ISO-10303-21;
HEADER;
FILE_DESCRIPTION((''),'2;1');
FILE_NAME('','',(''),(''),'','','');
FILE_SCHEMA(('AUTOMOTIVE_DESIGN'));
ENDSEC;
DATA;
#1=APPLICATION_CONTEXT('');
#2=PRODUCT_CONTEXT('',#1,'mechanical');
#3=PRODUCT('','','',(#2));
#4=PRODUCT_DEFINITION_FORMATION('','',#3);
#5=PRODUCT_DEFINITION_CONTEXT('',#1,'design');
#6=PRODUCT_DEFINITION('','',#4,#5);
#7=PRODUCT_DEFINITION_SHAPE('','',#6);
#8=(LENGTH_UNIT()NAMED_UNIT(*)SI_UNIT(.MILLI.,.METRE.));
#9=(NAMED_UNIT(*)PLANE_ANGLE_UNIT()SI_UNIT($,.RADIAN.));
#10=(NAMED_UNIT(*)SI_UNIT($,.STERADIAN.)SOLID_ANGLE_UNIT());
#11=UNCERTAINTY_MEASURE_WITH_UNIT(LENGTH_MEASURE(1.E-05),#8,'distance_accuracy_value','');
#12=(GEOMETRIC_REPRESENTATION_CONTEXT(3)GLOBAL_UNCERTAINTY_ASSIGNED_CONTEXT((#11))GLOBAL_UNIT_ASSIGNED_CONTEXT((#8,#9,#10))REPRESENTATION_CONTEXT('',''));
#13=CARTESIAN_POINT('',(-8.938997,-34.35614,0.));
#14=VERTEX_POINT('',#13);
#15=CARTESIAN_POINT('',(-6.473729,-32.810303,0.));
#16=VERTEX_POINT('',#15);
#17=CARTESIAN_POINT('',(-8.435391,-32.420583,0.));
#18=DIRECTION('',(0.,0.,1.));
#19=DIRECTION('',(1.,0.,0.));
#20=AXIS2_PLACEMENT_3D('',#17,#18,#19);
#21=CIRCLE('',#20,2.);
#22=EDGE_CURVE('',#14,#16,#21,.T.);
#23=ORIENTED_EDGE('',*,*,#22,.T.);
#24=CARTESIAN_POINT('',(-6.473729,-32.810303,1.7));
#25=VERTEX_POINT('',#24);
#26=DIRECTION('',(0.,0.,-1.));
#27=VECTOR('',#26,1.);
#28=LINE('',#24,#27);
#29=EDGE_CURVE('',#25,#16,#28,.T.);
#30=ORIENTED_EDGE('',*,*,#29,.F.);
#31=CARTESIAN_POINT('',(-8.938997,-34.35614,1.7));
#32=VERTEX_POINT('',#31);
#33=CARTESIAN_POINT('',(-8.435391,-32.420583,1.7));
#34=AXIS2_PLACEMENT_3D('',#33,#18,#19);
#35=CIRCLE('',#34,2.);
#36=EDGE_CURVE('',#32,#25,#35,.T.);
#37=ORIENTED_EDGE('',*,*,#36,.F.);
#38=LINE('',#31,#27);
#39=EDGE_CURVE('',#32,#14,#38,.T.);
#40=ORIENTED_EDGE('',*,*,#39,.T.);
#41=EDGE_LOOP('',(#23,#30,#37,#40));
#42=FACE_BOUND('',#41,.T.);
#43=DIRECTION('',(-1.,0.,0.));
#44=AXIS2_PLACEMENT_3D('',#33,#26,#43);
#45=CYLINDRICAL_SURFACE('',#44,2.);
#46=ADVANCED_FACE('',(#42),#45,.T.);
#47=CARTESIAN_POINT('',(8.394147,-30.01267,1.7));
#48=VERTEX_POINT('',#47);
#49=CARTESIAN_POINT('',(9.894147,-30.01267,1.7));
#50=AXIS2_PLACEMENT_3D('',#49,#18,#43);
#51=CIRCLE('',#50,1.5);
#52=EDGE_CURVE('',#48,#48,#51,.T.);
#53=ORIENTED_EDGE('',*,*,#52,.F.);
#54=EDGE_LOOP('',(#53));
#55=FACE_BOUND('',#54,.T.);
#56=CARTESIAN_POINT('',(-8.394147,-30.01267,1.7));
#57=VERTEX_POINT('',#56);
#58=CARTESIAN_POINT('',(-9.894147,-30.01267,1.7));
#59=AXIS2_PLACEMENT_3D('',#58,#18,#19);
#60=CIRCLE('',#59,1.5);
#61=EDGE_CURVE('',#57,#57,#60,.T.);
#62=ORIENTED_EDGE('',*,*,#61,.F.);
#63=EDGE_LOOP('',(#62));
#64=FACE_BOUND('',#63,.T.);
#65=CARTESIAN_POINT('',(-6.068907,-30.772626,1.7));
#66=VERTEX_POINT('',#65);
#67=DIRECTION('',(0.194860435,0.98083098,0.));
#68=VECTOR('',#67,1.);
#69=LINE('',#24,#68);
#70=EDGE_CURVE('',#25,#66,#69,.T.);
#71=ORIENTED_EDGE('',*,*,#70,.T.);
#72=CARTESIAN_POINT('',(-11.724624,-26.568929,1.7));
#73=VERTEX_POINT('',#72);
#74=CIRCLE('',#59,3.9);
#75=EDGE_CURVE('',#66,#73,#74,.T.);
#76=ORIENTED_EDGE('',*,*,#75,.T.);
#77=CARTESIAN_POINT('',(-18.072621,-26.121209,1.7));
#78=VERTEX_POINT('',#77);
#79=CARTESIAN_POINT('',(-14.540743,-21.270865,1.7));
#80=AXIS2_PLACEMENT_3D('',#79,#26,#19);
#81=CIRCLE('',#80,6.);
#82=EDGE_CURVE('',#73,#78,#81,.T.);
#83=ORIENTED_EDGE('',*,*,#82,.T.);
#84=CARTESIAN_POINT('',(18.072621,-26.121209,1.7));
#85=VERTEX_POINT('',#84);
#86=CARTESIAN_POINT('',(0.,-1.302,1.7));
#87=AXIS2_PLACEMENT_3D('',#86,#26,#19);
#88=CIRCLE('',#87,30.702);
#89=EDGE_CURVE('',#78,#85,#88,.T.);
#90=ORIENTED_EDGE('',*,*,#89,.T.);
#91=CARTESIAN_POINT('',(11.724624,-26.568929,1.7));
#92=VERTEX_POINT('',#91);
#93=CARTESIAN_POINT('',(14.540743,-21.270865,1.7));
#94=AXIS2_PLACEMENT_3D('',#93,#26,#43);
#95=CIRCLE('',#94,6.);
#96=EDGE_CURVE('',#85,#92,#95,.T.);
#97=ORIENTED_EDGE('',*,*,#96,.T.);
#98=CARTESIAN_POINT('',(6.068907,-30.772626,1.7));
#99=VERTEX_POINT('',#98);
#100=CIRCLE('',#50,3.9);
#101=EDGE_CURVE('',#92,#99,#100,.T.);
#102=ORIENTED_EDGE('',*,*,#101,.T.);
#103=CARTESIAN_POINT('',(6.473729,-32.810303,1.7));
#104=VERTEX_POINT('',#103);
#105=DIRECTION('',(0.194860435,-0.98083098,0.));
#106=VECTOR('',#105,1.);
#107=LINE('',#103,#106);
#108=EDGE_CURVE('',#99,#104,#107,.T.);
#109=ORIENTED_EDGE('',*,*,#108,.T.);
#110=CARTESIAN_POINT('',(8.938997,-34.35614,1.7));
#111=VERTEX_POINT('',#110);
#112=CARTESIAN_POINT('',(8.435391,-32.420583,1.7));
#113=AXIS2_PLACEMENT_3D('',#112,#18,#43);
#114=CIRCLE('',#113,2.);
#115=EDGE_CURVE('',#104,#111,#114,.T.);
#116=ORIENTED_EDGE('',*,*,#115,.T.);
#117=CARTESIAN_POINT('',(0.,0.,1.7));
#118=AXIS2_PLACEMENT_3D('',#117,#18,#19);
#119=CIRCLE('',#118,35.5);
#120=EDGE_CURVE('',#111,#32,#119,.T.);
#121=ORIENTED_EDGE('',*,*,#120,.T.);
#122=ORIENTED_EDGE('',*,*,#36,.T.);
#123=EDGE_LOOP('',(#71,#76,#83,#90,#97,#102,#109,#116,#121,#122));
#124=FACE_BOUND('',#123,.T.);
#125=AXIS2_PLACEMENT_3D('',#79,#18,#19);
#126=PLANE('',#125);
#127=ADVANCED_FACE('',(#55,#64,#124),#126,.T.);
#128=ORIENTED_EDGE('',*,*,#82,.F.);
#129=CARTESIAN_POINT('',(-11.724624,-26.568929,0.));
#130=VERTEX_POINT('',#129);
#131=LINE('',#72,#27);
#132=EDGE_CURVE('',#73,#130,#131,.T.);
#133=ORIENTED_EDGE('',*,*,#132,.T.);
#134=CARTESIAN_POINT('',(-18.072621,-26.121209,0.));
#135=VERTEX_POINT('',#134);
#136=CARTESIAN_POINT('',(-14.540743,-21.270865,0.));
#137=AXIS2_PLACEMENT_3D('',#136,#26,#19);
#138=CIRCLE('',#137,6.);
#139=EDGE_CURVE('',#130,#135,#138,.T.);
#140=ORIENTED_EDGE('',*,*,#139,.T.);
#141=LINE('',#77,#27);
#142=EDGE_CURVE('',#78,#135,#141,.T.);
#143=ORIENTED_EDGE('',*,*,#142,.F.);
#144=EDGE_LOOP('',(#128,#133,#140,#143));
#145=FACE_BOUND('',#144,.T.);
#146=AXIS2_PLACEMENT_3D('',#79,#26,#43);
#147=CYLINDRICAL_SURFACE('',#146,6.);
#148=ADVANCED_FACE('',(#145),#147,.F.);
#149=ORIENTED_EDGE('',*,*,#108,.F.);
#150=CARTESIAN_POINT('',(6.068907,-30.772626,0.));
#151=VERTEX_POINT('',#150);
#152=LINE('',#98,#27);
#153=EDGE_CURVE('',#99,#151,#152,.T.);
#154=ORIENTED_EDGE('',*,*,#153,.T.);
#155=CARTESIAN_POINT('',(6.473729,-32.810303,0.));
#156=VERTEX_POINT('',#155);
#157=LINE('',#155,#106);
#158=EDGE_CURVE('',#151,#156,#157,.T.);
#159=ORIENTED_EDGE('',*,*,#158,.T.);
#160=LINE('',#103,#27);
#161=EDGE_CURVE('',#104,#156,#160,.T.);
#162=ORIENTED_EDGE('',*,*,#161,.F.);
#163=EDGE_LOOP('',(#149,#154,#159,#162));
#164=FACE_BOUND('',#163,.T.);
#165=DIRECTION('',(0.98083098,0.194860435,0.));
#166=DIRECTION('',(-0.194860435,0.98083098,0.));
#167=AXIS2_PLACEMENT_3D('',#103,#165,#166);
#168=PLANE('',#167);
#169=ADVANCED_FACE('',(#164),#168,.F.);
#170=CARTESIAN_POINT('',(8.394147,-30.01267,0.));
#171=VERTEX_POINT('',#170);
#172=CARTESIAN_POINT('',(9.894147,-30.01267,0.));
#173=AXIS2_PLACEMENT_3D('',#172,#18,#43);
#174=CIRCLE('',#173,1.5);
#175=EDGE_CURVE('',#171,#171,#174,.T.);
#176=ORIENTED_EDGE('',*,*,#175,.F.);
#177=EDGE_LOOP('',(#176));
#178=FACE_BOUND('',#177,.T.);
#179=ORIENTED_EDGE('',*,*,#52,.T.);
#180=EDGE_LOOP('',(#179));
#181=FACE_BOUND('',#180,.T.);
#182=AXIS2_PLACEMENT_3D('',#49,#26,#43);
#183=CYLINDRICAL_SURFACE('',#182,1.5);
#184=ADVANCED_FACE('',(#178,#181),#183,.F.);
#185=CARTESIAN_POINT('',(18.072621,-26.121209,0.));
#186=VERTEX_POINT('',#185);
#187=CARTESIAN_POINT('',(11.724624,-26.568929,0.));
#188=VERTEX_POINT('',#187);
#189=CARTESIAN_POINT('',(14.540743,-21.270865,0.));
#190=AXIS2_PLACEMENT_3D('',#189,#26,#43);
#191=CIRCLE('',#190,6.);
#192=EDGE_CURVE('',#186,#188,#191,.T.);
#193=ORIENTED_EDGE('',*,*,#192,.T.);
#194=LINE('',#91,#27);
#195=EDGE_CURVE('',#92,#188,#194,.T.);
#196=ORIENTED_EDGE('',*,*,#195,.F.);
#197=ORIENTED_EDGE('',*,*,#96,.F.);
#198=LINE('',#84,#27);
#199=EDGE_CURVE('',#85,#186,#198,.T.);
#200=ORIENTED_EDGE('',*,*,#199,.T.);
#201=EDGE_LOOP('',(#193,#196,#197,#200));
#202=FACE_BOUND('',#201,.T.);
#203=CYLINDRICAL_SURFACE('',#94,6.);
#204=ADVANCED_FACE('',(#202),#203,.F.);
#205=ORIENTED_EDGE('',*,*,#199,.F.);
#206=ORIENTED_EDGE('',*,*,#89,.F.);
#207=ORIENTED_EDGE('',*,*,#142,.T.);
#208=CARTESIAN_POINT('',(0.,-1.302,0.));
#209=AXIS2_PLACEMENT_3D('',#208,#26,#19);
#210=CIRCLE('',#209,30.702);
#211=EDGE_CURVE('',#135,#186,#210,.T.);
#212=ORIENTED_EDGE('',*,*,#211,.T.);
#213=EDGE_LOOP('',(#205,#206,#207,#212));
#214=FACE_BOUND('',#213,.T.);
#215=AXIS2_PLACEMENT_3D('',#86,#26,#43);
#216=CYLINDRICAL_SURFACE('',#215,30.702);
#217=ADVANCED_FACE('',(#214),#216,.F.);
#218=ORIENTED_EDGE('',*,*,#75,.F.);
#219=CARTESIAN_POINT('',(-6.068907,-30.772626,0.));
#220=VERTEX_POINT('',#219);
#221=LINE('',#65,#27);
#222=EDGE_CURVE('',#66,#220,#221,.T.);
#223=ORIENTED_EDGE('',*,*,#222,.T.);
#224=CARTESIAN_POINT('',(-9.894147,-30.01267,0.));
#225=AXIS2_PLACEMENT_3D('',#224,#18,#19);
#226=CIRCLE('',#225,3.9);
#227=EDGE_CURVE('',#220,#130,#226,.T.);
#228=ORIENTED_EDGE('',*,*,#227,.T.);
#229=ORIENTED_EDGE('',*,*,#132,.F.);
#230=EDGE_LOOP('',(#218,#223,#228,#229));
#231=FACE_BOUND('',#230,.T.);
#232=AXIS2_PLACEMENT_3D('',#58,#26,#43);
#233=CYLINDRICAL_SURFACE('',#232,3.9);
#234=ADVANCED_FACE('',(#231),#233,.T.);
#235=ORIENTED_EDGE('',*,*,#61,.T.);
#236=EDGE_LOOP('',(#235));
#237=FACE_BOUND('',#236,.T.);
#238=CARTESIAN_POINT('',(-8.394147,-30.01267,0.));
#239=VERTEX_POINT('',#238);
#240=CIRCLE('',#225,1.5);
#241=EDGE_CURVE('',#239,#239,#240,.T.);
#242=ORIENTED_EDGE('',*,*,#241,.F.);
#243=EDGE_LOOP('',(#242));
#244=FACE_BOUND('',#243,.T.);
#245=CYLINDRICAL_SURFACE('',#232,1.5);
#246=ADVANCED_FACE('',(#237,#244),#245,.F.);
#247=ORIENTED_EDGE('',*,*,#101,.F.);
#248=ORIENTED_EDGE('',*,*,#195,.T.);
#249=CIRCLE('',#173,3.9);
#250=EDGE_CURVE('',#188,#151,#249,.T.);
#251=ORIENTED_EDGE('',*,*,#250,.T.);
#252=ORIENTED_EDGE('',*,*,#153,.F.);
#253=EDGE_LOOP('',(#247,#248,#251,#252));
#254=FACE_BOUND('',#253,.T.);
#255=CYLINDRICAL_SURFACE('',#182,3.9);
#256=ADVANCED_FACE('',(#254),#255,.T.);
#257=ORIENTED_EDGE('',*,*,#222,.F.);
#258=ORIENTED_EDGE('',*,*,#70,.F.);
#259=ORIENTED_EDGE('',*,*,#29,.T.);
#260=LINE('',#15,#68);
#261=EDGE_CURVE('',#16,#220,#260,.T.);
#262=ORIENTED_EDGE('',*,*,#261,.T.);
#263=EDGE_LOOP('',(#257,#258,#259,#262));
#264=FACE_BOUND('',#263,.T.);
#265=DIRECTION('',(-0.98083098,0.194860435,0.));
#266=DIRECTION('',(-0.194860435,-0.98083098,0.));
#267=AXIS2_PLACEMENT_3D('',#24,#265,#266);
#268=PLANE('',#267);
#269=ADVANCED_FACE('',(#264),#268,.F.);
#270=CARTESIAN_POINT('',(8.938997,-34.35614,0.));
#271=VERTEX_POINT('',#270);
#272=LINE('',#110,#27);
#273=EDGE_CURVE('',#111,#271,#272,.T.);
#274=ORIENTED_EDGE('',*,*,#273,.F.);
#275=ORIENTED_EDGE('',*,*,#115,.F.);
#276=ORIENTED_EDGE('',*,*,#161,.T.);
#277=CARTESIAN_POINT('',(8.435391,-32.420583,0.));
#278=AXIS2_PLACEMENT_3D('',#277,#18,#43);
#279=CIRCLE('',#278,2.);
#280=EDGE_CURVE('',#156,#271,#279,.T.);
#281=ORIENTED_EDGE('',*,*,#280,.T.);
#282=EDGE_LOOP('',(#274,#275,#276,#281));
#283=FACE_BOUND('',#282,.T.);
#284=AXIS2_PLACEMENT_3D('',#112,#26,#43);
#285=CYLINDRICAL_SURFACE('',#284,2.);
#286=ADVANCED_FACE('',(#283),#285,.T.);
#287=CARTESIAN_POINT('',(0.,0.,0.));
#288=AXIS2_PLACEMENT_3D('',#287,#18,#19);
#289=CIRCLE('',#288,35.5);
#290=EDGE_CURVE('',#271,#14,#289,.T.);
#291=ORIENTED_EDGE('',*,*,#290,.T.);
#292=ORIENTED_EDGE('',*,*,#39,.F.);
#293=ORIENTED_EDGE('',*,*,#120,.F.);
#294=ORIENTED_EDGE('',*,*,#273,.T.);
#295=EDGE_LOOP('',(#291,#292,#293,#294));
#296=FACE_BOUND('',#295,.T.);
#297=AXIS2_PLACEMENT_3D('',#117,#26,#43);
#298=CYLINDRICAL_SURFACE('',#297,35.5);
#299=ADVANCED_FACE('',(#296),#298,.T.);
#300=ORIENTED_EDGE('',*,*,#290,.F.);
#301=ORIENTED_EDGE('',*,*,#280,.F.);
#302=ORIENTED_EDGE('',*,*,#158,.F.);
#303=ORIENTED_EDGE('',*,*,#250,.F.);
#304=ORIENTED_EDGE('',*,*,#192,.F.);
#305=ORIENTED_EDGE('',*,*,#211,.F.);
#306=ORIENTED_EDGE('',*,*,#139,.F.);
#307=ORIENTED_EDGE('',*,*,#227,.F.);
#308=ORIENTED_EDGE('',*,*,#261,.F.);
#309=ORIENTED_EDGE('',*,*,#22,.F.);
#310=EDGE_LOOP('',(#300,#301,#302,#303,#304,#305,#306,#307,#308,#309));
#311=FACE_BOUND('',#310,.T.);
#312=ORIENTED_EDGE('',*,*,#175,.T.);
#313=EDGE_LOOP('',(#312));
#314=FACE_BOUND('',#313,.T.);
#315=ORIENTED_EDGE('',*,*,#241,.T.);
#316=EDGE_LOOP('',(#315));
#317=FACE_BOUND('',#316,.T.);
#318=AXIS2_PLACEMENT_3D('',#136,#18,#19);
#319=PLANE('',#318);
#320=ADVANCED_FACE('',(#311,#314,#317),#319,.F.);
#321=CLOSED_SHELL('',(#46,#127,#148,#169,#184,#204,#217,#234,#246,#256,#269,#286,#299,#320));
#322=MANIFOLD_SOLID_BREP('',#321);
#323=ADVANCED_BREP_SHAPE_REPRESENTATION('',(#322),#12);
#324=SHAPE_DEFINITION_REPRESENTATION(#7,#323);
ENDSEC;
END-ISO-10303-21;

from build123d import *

# Parameters (mm, degrees)
SKETCH_3_R      = 1.5
EXTRUDE_1_DEPTH = 1.7


with BuildPart() as part:
    # Эскиз3 → Бобышка-Вытянуть1 (new body)
    with BuildSketch(Plane.XY):
        with BuildLine():
            Line((-6.473729419, -32.810303411), (-6.068906589, -30.772625658))
            ThreePointArc((-6.068906589, -30.772625658), (-7.567661229, -26.882580179), (-11.724624303, -26.568928632))
            ThreePointArc((-11.724624303, -26.568928632), (-14.962869732, -27.255997351), (-18.072620871, -26.12120894))
            ThreePointArc((-18.072620871, -26.12120894), (0, 29.4), (18.072620871, -26.12120894))
            ThreePointArc((18.072620871, -26.12120894), (14.962869732, -27.255997351), (11.724624303, -26.568928632))
            ThreePointArc((11.724624303, -26.568928632), (7.567661229, -26.882580179), (6.068906589, -30.772625658))
            Line((6.068906589, -30.772625658), (6.473729419, -32.810303411))
            ThreePointArc((6.473729419, -32.810303411), (7.37290154, -34.115019127), (8.938996834, -34.356139707))
            ThreePointArc((8.938996834, -34.356139707), (0, 35.5), (-8.938996834, -34.356139707))
            ThreePointArc((-8.938996834, -34.356139707), (-7.37290154, -34.115019127), (-6.473729419, -32.810303411))
        make_face()
        with Locations((-9.89414741, -30.012669962)):
            Circle(SKETCH_3_R, mode=Mode.SUBTRACT)
        with Locations(Location((9.89414741, -30.012669962, 0), (0, 0, 180))):
            Circle(SKETCH_3_R, mode=Mode.SUBTRACT)
    extrude(amount=EXTRUDE_1_DEPTH)


solid = part.part
